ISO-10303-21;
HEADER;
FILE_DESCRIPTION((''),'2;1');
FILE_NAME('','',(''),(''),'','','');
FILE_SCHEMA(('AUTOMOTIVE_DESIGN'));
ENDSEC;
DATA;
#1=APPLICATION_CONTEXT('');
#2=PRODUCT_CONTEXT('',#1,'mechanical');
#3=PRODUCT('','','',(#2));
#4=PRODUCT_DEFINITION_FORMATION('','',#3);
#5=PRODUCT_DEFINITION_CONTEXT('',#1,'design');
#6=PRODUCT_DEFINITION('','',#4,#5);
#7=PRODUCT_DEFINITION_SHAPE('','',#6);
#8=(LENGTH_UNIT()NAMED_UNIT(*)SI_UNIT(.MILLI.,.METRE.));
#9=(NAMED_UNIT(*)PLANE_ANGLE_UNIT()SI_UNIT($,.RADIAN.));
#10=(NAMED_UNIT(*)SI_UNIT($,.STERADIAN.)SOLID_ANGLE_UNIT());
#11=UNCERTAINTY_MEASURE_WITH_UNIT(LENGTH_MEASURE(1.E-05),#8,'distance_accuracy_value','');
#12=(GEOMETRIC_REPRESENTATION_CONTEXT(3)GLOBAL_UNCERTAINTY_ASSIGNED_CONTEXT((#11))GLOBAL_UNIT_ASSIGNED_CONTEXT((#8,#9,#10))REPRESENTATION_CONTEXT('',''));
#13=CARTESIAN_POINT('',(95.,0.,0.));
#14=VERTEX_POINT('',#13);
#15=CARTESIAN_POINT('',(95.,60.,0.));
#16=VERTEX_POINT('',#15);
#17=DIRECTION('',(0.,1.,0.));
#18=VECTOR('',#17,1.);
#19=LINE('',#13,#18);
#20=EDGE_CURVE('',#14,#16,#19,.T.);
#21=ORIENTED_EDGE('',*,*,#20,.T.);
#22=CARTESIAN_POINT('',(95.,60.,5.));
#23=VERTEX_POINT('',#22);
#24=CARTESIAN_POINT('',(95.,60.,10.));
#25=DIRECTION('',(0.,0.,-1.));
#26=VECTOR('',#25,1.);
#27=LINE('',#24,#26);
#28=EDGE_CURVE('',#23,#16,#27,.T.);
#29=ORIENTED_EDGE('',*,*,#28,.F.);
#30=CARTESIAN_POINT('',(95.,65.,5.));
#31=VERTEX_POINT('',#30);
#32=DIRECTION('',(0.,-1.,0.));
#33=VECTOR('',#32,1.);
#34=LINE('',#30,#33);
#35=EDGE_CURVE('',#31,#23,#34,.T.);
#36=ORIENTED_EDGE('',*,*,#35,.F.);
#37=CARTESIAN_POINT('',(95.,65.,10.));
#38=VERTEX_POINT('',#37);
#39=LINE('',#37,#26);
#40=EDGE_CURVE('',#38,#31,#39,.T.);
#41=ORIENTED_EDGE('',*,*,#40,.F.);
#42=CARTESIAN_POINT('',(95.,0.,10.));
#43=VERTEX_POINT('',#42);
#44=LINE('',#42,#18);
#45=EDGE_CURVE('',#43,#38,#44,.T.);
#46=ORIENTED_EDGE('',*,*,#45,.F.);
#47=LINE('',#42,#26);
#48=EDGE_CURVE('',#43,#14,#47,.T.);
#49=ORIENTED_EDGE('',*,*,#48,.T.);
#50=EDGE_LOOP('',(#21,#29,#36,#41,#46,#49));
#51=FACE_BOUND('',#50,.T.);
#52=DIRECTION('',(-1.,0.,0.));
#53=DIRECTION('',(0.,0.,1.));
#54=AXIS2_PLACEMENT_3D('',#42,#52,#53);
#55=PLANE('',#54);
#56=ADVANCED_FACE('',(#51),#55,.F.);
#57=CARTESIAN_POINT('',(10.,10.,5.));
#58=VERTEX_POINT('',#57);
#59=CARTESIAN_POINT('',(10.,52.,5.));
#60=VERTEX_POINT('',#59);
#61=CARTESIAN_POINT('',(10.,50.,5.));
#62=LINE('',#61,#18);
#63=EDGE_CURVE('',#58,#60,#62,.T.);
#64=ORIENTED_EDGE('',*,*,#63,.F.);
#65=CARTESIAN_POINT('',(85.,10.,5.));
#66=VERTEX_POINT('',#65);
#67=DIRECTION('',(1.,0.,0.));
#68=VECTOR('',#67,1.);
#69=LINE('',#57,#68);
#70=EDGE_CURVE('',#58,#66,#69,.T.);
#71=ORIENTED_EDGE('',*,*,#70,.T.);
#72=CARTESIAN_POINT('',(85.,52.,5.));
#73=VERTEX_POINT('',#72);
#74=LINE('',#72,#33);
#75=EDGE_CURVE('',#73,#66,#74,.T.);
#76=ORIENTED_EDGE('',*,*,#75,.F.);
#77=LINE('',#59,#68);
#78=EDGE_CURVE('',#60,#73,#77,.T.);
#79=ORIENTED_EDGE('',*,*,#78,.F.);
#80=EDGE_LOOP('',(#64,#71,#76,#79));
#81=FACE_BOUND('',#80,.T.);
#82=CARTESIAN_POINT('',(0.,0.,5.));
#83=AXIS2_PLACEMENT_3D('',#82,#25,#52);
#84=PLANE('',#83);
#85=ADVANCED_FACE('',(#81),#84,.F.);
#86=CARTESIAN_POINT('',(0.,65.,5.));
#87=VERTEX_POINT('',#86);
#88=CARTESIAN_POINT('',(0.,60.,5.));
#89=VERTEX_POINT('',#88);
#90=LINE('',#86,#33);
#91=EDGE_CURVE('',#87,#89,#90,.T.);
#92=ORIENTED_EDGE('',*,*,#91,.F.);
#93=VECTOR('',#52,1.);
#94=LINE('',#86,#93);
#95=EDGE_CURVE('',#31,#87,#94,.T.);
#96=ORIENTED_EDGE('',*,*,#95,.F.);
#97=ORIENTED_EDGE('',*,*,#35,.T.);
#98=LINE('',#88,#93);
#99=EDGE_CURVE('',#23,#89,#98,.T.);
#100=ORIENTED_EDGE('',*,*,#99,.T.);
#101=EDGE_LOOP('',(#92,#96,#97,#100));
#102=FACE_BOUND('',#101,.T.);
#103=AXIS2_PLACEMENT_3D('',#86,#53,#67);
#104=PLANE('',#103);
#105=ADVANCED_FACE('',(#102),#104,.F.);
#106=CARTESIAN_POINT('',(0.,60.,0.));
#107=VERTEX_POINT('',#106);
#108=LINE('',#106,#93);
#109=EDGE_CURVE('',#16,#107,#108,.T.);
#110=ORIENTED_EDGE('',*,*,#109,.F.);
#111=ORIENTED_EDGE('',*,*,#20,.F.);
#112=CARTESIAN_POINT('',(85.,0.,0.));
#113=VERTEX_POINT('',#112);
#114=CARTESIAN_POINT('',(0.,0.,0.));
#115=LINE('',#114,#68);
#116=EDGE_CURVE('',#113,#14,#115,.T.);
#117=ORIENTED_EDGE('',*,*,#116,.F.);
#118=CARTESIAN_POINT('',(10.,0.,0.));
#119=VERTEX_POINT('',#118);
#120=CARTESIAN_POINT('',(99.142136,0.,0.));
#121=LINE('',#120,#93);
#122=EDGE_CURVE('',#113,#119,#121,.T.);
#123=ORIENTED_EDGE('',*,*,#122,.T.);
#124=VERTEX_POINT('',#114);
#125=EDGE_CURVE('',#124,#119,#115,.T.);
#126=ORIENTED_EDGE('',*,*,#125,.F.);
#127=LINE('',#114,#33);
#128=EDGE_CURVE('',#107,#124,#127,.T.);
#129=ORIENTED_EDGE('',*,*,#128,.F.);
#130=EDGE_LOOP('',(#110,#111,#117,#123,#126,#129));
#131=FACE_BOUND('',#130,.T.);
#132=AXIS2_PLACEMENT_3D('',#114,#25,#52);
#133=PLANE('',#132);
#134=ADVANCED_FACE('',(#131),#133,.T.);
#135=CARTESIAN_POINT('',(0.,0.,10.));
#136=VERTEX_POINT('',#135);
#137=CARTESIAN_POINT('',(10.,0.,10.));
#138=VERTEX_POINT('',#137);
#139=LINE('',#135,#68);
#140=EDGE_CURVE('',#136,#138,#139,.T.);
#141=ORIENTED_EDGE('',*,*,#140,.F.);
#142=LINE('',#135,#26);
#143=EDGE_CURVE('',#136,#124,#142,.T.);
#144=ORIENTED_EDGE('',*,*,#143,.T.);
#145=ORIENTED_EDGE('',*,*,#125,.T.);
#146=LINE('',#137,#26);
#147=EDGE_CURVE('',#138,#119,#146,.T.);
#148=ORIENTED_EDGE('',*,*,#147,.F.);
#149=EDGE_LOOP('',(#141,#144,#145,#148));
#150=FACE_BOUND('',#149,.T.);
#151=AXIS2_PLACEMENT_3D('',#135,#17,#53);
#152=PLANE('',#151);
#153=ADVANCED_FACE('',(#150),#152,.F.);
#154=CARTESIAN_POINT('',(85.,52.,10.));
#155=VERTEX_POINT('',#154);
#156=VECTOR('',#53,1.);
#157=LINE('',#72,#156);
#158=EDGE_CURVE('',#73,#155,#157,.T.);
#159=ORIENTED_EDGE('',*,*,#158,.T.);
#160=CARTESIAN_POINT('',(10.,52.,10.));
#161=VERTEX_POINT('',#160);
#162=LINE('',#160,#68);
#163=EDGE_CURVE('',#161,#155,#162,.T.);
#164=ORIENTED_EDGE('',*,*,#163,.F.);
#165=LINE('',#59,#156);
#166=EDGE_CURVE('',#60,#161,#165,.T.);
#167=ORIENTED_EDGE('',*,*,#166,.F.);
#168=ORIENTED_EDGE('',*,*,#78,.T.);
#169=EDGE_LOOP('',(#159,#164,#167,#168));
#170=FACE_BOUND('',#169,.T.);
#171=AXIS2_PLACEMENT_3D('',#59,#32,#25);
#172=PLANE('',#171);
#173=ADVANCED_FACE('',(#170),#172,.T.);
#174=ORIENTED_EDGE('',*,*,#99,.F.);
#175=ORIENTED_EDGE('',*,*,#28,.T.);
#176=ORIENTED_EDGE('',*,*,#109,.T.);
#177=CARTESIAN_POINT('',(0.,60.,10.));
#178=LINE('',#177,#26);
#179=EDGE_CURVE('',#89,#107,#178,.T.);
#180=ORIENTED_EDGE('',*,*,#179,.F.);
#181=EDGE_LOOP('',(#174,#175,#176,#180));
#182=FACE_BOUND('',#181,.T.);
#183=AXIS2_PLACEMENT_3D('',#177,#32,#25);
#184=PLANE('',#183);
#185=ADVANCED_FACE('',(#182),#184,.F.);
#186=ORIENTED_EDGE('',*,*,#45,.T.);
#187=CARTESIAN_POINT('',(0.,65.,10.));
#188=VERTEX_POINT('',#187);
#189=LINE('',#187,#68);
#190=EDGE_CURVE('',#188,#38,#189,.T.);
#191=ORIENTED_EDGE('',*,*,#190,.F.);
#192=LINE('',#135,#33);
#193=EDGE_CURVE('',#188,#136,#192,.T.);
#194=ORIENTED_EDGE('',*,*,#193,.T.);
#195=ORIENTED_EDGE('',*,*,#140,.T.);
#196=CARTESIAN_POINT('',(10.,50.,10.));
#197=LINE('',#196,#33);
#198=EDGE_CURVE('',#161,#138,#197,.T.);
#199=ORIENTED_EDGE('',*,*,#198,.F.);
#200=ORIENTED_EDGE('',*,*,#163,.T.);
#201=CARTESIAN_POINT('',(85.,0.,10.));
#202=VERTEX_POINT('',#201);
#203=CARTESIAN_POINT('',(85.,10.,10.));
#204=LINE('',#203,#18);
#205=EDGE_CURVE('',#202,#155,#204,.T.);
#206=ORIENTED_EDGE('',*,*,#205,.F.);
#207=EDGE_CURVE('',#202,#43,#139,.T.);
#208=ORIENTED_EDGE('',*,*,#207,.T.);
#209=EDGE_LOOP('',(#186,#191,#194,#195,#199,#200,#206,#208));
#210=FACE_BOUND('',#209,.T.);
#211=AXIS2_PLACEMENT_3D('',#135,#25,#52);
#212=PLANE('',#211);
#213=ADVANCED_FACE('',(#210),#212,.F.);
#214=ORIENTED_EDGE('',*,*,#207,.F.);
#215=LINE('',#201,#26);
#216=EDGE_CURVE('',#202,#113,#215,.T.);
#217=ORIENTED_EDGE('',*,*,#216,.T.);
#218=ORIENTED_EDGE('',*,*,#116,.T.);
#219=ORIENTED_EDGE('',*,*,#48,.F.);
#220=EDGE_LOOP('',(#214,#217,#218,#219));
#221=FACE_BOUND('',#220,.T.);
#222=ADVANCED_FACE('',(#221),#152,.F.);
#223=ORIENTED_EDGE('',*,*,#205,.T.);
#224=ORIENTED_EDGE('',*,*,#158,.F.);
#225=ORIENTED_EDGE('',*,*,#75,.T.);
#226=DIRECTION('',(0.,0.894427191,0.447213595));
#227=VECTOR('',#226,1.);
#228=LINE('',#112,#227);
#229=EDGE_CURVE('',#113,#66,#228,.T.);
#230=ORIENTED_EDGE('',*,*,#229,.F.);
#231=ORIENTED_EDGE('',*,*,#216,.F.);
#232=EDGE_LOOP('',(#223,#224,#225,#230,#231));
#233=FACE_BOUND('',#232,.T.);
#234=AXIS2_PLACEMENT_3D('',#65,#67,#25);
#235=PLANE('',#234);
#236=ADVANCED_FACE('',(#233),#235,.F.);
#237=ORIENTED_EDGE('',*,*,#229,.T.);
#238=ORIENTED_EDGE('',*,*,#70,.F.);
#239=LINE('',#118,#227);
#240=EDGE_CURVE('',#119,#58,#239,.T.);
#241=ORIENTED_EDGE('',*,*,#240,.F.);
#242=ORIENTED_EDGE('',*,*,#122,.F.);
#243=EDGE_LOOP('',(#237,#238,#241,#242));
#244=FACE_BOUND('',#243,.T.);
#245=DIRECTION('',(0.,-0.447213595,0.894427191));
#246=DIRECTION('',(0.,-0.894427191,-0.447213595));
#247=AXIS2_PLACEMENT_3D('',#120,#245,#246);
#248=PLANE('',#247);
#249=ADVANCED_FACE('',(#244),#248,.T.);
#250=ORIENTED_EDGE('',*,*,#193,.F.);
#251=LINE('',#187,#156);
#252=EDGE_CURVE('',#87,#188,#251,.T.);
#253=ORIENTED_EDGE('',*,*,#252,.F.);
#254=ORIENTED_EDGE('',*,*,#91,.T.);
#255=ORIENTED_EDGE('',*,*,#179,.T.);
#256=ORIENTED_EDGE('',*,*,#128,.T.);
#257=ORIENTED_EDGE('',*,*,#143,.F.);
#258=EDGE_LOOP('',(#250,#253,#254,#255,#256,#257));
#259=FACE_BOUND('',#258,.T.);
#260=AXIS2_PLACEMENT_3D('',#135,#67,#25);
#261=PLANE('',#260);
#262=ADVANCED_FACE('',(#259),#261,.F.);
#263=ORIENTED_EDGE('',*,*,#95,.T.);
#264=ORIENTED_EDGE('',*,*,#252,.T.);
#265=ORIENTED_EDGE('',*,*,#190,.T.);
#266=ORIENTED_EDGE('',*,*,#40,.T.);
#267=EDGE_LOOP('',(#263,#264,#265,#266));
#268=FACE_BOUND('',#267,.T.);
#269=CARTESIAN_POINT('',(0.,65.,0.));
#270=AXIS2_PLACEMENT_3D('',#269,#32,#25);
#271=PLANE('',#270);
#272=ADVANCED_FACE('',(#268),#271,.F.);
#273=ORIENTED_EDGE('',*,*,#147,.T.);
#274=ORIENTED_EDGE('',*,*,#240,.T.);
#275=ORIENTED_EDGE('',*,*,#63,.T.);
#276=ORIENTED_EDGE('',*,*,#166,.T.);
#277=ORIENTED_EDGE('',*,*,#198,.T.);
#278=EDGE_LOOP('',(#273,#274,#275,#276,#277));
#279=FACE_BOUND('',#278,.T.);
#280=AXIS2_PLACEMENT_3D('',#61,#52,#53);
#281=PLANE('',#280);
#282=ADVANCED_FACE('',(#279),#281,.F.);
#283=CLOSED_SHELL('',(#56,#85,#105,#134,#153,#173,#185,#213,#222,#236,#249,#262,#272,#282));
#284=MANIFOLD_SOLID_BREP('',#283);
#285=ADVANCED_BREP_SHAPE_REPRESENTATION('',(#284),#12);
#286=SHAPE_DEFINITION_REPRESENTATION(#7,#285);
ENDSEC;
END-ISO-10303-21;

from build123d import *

# Parameters (mm, degrees)
SKETCH1_W           = 95
SKETCH1_H           = 60
BOSS_EXTRUDE1_DEPTH = 10
CUT_EXTRUDE1_DEPTH  = 5
CUT_EXTRUDE2_DEPTH  = 75
SKETCH7_W           = 95
SKETCH7_H           = 5
BOSS_EXTRUDE3_DEPTH = 5


with BuildPart() as part:
    # Sketch1 → Boss-Extrude1 (new body)
    with BuildSketch(Plane.XY):
        with Locations((47.5, 30)):
            Rectangle(SKETCH1_W, SKETCH1_H)
    extrude(amount=BOSS_EXTRUDE1_DEPTH)

    # Sketch2 → Cut-Extrude1 (cut)
    with BuildSketch(Plane.XY.offset(10)):
        Polygon((10, 50), (10, 52), (85, 52), (85, 50), (85, 10), (10, 10), align=None)
    extrude(amount=-CUT_EXTRUDE1_DEPTH, mode=Mode.SUBTRACT)

    # Sketch4 → Cut-Extrude2 (cut)
    with BuildSketch(Plane(origin=(10, 0, 0), x_dir=(0, 0, -1), z_dir=(1, 0, 0))):
        Polygon((0, 0), (-5, 10), (-10, 10), (-10, 0), align=None)
    extrude(amount=CUT_EXTRUDE2_DEPTH, mode=Mode.SUBTRACT)

    # Sketch7 → Boss-Extrude3 (add)
    with BuildSketch(Plane(origin=(0, 60, 0), x_dir=(1, 0, 0), z_dir=(0, 1, 0))):
        with Locations((47.5, -7.5)):
            Rectangle(SKETCH7_W, SKETCH7_H)
    extrude(amount=BOSS_EXTRUDE3_DEPTH)


solid = part.part
